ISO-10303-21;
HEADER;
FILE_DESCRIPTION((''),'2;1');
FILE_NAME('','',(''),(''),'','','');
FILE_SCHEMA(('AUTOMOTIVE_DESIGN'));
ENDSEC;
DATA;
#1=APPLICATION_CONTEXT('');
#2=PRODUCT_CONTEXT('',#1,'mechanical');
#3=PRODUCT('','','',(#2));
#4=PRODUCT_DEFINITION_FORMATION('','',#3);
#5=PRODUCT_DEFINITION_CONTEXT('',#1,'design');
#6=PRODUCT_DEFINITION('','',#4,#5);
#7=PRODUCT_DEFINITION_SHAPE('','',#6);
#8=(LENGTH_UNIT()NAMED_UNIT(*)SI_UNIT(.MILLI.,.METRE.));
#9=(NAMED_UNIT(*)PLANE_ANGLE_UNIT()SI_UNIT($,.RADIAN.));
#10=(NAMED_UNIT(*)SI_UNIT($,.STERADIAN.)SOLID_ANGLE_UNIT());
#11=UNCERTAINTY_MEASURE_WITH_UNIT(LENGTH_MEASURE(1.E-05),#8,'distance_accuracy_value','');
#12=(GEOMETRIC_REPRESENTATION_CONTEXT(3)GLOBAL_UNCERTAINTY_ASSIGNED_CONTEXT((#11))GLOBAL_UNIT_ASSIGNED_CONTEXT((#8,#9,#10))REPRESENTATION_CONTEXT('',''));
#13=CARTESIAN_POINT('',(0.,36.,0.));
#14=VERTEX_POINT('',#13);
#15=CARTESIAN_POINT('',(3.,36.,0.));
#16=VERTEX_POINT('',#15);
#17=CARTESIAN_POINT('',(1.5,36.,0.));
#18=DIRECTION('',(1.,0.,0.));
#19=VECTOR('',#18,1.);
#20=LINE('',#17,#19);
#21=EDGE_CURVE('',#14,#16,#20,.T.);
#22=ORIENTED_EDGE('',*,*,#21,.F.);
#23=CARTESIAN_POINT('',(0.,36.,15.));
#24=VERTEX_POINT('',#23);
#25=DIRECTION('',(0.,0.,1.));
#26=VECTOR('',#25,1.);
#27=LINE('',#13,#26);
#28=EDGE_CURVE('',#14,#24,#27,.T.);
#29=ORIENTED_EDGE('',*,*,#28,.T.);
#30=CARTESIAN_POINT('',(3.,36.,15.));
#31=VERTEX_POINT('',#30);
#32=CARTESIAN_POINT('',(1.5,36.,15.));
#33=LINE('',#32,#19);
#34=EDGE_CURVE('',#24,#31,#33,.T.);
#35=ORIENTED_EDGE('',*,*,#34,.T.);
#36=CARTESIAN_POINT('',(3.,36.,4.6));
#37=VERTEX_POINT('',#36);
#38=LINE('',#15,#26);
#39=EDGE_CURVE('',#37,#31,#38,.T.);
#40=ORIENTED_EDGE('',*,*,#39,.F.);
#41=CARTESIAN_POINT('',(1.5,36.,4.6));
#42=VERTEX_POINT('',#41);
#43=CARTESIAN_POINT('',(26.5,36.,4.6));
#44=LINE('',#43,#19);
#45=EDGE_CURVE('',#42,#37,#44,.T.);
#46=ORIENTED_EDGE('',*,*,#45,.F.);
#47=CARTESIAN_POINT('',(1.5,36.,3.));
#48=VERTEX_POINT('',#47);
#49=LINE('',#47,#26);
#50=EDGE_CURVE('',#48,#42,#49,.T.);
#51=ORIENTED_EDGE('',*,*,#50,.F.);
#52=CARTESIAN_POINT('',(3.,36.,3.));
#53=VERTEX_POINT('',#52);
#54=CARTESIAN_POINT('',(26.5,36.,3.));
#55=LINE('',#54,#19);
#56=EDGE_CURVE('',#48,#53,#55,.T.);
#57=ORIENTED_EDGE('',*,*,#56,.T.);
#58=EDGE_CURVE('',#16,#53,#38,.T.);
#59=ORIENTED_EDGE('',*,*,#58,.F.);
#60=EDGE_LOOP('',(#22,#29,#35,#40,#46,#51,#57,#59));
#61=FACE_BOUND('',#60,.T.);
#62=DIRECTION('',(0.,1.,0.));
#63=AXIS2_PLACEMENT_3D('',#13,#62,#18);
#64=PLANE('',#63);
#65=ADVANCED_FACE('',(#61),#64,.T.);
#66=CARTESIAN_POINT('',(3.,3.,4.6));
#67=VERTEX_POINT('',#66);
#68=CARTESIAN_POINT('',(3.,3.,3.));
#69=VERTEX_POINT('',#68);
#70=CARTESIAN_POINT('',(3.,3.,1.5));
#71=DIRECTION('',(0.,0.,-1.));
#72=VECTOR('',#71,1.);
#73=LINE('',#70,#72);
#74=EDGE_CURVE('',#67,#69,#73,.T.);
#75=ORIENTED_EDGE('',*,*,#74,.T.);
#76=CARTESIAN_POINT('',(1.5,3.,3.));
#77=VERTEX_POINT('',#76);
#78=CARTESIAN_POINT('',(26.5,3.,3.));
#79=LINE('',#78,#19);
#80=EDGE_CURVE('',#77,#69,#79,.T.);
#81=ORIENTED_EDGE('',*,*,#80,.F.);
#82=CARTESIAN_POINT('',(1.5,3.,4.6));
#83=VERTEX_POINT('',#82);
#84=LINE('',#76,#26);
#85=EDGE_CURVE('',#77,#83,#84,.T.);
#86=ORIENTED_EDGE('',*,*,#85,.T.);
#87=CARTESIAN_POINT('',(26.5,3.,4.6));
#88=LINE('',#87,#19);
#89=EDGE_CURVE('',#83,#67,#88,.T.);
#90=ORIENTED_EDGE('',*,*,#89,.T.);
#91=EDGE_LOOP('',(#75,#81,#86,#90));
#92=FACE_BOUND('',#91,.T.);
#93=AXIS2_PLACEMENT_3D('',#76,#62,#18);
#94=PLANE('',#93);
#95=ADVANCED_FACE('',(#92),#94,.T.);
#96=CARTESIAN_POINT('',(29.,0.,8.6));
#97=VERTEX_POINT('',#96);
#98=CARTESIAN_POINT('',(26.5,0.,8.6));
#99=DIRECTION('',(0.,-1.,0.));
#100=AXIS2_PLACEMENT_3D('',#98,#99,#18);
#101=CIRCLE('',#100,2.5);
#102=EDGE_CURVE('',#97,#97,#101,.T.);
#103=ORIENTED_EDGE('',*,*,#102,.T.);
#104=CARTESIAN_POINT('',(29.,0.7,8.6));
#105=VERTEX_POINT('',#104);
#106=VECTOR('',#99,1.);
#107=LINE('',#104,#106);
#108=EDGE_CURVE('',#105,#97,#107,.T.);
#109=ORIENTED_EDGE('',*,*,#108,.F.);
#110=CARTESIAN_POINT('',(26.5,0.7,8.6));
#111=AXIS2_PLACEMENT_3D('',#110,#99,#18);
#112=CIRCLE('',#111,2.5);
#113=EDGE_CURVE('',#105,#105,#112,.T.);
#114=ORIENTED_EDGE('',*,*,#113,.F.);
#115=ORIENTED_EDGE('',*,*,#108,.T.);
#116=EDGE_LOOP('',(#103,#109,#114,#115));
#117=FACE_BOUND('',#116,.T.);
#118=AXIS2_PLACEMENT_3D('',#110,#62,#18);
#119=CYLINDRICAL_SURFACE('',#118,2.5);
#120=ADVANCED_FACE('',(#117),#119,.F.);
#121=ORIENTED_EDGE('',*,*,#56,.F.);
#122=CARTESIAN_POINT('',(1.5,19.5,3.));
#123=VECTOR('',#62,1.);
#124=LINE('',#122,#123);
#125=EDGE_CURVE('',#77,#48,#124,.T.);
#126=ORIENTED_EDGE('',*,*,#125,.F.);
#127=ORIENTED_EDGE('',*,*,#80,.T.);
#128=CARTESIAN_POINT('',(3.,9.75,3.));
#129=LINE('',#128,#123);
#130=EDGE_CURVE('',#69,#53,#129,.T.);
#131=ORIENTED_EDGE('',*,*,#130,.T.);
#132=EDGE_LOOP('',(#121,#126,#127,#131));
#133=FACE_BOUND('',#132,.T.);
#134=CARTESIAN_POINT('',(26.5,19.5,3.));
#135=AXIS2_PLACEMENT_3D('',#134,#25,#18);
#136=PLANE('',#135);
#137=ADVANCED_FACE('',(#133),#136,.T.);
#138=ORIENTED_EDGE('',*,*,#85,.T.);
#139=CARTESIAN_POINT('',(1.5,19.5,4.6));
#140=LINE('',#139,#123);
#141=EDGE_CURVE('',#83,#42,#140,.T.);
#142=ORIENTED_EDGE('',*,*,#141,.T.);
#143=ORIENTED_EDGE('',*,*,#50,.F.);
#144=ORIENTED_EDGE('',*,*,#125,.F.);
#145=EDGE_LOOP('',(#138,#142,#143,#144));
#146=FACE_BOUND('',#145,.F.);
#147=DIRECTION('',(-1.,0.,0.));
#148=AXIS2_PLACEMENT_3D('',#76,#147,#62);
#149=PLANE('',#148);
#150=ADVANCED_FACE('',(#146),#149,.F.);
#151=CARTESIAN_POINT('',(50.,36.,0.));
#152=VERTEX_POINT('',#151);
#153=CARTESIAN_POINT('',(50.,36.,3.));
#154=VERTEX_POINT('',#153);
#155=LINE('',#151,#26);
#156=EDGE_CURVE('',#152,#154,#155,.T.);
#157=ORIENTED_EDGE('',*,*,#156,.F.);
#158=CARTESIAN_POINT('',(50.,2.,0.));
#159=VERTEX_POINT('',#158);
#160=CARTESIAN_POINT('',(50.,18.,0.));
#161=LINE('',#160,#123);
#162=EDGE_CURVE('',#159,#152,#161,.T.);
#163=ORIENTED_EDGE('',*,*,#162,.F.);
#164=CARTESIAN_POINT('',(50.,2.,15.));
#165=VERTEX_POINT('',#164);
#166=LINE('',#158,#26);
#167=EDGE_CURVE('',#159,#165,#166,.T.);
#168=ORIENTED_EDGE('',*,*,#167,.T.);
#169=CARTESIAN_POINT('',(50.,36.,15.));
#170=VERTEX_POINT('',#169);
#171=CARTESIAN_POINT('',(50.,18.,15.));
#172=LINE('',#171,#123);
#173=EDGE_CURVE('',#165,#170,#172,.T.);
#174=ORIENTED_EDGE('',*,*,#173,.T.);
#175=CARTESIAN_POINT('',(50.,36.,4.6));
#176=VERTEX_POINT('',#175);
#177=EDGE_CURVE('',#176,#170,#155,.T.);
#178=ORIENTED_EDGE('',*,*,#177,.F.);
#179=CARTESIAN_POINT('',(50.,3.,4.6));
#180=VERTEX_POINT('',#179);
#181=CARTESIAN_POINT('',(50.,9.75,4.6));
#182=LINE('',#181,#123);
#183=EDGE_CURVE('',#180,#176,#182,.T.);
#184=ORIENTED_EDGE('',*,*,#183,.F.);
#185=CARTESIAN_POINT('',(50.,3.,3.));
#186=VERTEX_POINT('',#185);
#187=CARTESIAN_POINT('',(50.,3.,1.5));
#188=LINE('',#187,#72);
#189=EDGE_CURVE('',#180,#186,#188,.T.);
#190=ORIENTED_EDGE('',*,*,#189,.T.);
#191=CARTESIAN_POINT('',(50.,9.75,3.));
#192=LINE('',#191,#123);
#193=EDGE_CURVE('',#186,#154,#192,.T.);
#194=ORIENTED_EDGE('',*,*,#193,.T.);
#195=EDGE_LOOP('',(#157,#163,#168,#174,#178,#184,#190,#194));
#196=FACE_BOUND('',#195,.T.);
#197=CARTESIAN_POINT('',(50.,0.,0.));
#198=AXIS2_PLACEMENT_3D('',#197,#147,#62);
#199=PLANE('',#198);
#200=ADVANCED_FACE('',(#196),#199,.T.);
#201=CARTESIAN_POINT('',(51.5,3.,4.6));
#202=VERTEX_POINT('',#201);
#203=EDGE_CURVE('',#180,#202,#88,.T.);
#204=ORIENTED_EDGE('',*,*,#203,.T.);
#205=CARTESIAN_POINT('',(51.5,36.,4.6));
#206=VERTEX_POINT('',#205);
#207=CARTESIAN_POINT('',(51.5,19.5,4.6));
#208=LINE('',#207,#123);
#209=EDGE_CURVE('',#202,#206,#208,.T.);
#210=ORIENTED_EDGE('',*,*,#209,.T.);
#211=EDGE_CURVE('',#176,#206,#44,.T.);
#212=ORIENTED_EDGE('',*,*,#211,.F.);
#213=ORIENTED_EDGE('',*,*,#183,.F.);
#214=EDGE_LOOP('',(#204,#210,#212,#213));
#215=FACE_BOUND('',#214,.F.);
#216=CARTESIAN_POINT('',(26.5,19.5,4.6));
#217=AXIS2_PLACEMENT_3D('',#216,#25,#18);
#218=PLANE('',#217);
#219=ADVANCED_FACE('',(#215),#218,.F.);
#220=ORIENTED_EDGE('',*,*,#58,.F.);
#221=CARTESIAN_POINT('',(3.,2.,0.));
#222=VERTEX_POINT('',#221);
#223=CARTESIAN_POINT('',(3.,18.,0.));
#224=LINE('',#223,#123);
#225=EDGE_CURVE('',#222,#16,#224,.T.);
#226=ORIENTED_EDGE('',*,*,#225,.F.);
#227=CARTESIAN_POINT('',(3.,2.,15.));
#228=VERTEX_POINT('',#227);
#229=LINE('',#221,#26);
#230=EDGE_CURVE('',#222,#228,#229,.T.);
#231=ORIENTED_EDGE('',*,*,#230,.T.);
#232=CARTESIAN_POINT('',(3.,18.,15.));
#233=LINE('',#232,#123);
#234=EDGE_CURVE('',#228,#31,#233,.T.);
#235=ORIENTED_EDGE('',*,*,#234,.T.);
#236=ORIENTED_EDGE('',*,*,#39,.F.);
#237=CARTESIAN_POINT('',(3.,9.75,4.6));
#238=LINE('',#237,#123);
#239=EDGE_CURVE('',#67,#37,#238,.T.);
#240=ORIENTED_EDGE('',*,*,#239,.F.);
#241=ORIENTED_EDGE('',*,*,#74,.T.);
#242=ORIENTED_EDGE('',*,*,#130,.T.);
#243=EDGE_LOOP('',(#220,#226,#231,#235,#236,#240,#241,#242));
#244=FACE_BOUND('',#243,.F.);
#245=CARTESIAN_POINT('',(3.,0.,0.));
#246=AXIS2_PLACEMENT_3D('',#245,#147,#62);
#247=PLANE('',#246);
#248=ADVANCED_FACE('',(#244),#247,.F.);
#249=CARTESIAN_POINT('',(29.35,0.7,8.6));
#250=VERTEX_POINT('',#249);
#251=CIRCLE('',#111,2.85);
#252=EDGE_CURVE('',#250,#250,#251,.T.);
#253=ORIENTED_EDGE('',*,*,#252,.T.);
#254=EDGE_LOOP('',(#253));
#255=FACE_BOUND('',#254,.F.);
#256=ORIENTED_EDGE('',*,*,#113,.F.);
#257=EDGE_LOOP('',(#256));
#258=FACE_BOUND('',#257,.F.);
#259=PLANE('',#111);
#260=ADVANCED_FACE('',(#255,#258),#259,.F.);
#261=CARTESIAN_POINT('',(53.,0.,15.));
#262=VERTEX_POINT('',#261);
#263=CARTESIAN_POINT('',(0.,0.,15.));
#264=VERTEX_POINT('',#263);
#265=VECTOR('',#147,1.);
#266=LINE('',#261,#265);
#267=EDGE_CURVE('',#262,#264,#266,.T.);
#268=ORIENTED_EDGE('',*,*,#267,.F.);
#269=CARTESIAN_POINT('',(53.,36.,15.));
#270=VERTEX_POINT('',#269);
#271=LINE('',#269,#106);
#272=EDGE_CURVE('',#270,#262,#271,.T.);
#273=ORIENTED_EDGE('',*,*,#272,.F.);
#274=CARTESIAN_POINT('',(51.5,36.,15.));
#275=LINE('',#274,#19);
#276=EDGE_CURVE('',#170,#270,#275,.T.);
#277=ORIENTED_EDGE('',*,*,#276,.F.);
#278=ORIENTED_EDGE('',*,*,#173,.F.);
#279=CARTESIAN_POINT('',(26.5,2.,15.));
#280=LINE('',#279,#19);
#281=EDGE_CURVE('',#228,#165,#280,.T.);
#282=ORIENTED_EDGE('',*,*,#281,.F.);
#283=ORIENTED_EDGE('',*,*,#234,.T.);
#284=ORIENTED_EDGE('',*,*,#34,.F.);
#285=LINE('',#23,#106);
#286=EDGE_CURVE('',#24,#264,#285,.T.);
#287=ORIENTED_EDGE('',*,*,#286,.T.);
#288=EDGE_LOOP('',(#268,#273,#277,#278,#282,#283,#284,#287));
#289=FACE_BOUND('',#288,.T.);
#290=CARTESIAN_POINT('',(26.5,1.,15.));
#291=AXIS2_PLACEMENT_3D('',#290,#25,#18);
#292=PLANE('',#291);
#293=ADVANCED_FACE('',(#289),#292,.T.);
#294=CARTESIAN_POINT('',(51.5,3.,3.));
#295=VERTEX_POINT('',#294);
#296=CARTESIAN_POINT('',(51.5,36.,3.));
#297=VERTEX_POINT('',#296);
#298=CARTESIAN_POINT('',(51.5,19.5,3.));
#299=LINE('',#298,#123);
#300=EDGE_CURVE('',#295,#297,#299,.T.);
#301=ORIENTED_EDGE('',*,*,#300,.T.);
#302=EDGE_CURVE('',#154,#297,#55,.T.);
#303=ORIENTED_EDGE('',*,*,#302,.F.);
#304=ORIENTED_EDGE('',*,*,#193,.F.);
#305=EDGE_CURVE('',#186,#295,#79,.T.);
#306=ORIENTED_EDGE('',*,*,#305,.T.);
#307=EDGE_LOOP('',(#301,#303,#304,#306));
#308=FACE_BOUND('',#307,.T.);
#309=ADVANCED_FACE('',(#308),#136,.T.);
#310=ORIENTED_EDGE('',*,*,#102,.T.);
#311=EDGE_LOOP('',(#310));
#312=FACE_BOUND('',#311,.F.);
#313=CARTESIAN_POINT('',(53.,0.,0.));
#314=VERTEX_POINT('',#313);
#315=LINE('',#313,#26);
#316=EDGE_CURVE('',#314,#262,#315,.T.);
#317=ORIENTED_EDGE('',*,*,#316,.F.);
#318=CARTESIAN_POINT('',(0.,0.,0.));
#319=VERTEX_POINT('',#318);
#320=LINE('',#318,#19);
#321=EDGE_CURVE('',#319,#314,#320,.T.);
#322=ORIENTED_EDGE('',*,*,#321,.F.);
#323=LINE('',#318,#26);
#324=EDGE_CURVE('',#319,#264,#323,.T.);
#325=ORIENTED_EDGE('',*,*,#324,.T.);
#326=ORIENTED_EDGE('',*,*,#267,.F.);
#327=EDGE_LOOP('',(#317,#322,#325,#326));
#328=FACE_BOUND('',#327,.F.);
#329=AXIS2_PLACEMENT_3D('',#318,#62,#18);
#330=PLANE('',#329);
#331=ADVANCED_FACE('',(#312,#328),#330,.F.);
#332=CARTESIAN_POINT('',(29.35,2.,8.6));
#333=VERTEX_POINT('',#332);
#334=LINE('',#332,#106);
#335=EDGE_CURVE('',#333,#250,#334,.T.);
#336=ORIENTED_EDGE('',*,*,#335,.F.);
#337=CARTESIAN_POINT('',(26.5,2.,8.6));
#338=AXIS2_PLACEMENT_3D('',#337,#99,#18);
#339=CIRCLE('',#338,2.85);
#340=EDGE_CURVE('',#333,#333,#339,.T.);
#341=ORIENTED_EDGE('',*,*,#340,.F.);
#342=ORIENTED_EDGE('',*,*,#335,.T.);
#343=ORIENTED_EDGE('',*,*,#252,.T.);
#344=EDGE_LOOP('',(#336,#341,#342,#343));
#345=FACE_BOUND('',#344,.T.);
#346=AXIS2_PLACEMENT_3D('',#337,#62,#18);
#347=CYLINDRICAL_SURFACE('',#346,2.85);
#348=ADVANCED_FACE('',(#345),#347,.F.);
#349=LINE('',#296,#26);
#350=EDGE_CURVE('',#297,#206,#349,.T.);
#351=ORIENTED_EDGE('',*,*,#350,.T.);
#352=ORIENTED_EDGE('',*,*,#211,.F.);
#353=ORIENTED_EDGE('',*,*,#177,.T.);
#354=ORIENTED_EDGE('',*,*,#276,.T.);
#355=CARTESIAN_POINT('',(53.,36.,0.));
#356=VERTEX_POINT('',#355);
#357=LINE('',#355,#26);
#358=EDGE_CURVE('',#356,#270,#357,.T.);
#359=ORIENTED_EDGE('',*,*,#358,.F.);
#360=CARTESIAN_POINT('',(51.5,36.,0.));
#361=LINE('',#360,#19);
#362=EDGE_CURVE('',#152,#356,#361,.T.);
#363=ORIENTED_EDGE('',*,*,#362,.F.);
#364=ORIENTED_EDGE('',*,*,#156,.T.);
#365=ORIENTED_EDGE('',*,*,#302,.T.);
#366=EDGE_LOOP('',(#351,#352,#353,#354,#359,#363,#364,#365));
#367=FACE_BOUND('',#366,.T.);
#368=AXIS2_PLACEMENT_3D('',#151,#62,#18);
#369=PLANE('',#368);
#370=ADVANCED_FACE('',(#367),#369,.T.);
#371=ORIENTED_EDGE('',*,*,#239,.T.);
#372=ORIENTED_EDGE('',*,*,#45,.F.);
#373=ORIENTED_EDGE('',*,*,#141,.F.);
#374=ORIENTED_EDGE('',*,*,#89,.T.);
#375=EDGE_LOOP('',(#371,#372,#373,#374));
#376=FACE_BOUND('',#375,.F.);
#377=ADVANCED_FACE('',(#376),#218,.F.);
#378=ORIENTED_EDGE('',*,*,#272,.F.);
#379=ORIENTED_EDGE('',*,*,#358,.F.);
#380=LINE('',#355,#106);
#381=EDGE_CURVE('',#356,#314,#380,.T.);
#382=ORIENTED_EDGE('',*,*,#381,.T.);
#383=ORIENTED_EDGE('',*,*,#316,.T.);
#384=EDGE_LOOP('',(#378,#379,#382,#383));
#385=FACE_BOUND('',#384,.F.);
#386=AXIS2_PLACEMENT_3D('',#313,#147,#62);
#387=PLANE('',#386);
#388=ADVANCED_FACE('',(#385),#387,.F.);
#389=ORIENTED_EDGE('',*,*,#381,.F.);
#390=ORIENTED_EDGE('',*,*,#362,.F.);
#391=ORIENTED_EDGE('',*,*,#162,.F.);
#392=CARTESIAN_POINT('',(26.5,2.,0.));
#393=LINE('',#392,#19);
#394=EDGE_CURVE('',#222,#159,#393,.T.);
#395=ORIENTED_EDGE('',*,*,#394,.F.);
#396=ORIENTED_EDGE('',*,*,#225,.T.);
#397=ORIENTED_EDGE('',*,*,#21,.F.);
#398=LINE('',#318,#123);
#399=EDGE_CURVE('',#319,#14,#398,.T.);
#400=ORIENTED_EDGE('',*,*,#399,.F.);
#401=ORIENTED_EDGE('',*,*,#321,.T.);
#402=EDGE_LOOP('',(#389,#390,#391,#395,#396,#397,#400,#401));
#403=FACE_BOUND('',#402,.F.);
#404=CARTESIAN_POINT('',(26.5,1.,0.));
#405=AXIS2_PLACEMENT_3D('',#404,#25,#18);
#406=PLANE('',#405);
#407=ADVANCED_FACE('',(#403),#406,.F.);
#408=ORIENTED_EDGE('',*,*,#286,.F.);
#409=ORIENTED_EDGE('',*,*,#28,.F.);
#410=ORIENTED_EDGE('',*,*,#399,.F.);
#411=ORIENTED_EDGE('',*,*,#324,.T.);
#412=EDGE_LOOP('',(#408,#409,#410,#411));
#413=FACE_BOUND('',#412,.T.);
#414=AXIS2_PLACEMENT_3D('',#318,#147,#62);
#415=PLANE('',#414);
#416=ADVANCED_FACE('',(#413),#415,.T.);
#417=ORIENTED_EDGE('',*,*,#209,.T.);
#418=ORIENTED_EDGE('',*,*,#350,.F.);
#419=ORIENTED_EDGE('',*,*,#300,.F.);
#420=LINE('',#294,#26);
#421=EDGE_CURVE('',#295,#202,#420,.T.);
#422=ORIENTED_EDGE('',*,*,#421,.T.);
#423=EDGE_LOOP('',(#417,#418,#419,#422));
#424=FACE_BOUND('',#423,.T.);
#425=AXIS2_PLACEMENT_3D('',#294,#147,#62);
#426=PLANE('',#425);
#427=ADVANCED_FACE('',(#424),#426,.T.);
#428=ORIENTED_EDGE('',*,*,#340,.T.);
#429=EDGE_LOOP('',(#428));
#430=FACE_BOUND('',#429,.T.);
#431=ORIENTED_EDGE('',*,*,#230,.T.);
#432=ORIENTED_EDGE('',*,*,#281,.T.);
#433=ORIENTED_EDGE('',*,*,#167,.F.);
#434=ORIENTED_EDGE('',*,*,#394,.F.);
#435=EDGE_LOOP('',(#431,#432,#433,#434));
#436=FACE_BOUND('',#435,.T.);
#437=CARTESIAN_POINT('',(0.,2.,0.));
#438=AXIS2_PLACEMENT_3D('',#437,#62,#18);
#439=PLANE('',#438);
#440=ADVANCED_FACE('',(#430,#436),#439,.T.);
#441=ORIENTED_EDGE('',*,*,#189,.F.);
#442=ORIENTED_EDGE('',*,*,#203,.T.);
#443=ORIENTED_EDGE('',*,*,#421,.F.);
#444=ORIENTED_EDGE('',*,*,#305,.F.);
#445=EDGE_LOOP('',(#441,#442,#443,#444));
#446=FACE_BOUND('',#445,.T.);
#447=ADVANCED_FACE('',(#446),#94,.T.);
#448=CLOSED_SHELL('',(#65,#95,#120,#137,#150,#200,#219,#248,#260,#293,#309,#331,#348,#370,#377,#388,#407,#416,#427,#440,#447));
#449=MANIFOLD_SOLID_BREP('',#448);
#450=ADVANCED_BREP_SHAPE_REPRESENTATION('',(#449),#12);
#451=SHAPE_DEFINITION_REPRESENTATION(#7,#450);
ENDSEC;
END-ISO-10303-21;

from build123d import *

# Parameters (mm, degrees)
BOX004_W               = 50
BOX004_H               = 33
BOX004_DEPTH           = 1.6
BOX002_W               = 3
BOX002_H               = 36
BOX002_DEPTH           = 15
BOX001_W               = 3
BOX001_H               = 36
BOX001_DEPTH           = 15
CYLINDER001_R          = 2.85
CYLINDER001_DEPTH      = 1.3
CYLINDER001_ROLL_ANGLE = 90
CYLINDER_R             = 2.5
CYLINDER_DEPTH         = 0.7
CYLINDER_ROLL_ANGLE    = 90
BOX003_W               = 53
BOX003_H               = 2
BOX003_DEPTH           = 15


with BuildPart() as pcb:
    # Box004 → Box004 (new body)
    with BuildSketch(Plane(origin=(1.5, 3, 3), x_dir=(1, 0, 0), z_dir=(0, 0, 1))):
        with Locations((25, 16.5)):
            Rectangle(BOX004_W, BOX004_H)
    extrude(amount=BOX004_DEPTH)


with BuildPart() as side2:
    # Box002 → Box002 (new body)
    with BuildSketch(Plane(origin=(50, 0, 0), x_dir=(1, 0, 0), z_dir=(0, 0, 1))):
        with Locations((1.5, 18)):
            Rectangle(BOX002_W, BOX002_H)
    extrude(amount=BOX002_DEPTH)


with BuildPart() as side1:
    # Box001 → Box001 (new body)
    with BuildSketch(Plane.XY):
        with Locations((1.5, 18)):
            Rectangle(BOX001_W, BOX001_H)
    extrude(amount=BOX001_DEPTH)


with BuildPart() as cylinder001:
    # Cylinder001 → Cylinder001 (new body)
    with BuildSketch(Plane.XY):
        Circle(CYLINDER001_R)
    extrude(amount=CYLINDER001_DEPTH)


with BuildPart() as cylinder001_1:
    # Cylinder001 roll: moved
    add(cylinder001.part.rotate(Axis((0, 0, 0), (1, 0, 0)), CYLINDER001_ROLL_ANGLE))


with BuildPart() as cylinder001_2:
    # Cylinder001 placement: moved
    add(cylinder001_1.part.moved(Location((26.5, 2, 8.6))))


with BuildPart() as led:
    # Cylinder → Cylinder (new body)
    with BuildSketch(Plane.XY):
        Circle(CYLINDER_R)
    extrude(amount=CYLINDER_DEPTH)


with BuildPart() as led_1:
    # Cylinder roll: moved
    add(led.part.rotate(Axis((0, 0, 0), (1, 0, 0)), CYLINDER_ROLL_ANGLE))


with BuildPart() as led_2:
    # Cylinder placement: moved
    add(led_1.part.moved(Location((26.5, 0.7, 8.6))))

    # Fusion001: union Cylinder001
    add(cylinder001_2.part)


with BuildPart() as cut001:
    # Box003 → Box003 (new body)
    with BuildSketch(Plane.XY):
        with Locations((26.5, 1)):
            Rectangle(BOX003_W, BOX003_H)
    extrude(amount=BOX003_DEPTH)

    # Cut: cut LED
    add(led_2.part, mode=Mode.SUBTRACT)

    # Fusion: union side2, side1
    add(side2.part)
    add(side1.part)

    # Cut001: cut PCB
    add(pcb.part, mode=Mode.SUBTRACT)


solid = cut001.part
